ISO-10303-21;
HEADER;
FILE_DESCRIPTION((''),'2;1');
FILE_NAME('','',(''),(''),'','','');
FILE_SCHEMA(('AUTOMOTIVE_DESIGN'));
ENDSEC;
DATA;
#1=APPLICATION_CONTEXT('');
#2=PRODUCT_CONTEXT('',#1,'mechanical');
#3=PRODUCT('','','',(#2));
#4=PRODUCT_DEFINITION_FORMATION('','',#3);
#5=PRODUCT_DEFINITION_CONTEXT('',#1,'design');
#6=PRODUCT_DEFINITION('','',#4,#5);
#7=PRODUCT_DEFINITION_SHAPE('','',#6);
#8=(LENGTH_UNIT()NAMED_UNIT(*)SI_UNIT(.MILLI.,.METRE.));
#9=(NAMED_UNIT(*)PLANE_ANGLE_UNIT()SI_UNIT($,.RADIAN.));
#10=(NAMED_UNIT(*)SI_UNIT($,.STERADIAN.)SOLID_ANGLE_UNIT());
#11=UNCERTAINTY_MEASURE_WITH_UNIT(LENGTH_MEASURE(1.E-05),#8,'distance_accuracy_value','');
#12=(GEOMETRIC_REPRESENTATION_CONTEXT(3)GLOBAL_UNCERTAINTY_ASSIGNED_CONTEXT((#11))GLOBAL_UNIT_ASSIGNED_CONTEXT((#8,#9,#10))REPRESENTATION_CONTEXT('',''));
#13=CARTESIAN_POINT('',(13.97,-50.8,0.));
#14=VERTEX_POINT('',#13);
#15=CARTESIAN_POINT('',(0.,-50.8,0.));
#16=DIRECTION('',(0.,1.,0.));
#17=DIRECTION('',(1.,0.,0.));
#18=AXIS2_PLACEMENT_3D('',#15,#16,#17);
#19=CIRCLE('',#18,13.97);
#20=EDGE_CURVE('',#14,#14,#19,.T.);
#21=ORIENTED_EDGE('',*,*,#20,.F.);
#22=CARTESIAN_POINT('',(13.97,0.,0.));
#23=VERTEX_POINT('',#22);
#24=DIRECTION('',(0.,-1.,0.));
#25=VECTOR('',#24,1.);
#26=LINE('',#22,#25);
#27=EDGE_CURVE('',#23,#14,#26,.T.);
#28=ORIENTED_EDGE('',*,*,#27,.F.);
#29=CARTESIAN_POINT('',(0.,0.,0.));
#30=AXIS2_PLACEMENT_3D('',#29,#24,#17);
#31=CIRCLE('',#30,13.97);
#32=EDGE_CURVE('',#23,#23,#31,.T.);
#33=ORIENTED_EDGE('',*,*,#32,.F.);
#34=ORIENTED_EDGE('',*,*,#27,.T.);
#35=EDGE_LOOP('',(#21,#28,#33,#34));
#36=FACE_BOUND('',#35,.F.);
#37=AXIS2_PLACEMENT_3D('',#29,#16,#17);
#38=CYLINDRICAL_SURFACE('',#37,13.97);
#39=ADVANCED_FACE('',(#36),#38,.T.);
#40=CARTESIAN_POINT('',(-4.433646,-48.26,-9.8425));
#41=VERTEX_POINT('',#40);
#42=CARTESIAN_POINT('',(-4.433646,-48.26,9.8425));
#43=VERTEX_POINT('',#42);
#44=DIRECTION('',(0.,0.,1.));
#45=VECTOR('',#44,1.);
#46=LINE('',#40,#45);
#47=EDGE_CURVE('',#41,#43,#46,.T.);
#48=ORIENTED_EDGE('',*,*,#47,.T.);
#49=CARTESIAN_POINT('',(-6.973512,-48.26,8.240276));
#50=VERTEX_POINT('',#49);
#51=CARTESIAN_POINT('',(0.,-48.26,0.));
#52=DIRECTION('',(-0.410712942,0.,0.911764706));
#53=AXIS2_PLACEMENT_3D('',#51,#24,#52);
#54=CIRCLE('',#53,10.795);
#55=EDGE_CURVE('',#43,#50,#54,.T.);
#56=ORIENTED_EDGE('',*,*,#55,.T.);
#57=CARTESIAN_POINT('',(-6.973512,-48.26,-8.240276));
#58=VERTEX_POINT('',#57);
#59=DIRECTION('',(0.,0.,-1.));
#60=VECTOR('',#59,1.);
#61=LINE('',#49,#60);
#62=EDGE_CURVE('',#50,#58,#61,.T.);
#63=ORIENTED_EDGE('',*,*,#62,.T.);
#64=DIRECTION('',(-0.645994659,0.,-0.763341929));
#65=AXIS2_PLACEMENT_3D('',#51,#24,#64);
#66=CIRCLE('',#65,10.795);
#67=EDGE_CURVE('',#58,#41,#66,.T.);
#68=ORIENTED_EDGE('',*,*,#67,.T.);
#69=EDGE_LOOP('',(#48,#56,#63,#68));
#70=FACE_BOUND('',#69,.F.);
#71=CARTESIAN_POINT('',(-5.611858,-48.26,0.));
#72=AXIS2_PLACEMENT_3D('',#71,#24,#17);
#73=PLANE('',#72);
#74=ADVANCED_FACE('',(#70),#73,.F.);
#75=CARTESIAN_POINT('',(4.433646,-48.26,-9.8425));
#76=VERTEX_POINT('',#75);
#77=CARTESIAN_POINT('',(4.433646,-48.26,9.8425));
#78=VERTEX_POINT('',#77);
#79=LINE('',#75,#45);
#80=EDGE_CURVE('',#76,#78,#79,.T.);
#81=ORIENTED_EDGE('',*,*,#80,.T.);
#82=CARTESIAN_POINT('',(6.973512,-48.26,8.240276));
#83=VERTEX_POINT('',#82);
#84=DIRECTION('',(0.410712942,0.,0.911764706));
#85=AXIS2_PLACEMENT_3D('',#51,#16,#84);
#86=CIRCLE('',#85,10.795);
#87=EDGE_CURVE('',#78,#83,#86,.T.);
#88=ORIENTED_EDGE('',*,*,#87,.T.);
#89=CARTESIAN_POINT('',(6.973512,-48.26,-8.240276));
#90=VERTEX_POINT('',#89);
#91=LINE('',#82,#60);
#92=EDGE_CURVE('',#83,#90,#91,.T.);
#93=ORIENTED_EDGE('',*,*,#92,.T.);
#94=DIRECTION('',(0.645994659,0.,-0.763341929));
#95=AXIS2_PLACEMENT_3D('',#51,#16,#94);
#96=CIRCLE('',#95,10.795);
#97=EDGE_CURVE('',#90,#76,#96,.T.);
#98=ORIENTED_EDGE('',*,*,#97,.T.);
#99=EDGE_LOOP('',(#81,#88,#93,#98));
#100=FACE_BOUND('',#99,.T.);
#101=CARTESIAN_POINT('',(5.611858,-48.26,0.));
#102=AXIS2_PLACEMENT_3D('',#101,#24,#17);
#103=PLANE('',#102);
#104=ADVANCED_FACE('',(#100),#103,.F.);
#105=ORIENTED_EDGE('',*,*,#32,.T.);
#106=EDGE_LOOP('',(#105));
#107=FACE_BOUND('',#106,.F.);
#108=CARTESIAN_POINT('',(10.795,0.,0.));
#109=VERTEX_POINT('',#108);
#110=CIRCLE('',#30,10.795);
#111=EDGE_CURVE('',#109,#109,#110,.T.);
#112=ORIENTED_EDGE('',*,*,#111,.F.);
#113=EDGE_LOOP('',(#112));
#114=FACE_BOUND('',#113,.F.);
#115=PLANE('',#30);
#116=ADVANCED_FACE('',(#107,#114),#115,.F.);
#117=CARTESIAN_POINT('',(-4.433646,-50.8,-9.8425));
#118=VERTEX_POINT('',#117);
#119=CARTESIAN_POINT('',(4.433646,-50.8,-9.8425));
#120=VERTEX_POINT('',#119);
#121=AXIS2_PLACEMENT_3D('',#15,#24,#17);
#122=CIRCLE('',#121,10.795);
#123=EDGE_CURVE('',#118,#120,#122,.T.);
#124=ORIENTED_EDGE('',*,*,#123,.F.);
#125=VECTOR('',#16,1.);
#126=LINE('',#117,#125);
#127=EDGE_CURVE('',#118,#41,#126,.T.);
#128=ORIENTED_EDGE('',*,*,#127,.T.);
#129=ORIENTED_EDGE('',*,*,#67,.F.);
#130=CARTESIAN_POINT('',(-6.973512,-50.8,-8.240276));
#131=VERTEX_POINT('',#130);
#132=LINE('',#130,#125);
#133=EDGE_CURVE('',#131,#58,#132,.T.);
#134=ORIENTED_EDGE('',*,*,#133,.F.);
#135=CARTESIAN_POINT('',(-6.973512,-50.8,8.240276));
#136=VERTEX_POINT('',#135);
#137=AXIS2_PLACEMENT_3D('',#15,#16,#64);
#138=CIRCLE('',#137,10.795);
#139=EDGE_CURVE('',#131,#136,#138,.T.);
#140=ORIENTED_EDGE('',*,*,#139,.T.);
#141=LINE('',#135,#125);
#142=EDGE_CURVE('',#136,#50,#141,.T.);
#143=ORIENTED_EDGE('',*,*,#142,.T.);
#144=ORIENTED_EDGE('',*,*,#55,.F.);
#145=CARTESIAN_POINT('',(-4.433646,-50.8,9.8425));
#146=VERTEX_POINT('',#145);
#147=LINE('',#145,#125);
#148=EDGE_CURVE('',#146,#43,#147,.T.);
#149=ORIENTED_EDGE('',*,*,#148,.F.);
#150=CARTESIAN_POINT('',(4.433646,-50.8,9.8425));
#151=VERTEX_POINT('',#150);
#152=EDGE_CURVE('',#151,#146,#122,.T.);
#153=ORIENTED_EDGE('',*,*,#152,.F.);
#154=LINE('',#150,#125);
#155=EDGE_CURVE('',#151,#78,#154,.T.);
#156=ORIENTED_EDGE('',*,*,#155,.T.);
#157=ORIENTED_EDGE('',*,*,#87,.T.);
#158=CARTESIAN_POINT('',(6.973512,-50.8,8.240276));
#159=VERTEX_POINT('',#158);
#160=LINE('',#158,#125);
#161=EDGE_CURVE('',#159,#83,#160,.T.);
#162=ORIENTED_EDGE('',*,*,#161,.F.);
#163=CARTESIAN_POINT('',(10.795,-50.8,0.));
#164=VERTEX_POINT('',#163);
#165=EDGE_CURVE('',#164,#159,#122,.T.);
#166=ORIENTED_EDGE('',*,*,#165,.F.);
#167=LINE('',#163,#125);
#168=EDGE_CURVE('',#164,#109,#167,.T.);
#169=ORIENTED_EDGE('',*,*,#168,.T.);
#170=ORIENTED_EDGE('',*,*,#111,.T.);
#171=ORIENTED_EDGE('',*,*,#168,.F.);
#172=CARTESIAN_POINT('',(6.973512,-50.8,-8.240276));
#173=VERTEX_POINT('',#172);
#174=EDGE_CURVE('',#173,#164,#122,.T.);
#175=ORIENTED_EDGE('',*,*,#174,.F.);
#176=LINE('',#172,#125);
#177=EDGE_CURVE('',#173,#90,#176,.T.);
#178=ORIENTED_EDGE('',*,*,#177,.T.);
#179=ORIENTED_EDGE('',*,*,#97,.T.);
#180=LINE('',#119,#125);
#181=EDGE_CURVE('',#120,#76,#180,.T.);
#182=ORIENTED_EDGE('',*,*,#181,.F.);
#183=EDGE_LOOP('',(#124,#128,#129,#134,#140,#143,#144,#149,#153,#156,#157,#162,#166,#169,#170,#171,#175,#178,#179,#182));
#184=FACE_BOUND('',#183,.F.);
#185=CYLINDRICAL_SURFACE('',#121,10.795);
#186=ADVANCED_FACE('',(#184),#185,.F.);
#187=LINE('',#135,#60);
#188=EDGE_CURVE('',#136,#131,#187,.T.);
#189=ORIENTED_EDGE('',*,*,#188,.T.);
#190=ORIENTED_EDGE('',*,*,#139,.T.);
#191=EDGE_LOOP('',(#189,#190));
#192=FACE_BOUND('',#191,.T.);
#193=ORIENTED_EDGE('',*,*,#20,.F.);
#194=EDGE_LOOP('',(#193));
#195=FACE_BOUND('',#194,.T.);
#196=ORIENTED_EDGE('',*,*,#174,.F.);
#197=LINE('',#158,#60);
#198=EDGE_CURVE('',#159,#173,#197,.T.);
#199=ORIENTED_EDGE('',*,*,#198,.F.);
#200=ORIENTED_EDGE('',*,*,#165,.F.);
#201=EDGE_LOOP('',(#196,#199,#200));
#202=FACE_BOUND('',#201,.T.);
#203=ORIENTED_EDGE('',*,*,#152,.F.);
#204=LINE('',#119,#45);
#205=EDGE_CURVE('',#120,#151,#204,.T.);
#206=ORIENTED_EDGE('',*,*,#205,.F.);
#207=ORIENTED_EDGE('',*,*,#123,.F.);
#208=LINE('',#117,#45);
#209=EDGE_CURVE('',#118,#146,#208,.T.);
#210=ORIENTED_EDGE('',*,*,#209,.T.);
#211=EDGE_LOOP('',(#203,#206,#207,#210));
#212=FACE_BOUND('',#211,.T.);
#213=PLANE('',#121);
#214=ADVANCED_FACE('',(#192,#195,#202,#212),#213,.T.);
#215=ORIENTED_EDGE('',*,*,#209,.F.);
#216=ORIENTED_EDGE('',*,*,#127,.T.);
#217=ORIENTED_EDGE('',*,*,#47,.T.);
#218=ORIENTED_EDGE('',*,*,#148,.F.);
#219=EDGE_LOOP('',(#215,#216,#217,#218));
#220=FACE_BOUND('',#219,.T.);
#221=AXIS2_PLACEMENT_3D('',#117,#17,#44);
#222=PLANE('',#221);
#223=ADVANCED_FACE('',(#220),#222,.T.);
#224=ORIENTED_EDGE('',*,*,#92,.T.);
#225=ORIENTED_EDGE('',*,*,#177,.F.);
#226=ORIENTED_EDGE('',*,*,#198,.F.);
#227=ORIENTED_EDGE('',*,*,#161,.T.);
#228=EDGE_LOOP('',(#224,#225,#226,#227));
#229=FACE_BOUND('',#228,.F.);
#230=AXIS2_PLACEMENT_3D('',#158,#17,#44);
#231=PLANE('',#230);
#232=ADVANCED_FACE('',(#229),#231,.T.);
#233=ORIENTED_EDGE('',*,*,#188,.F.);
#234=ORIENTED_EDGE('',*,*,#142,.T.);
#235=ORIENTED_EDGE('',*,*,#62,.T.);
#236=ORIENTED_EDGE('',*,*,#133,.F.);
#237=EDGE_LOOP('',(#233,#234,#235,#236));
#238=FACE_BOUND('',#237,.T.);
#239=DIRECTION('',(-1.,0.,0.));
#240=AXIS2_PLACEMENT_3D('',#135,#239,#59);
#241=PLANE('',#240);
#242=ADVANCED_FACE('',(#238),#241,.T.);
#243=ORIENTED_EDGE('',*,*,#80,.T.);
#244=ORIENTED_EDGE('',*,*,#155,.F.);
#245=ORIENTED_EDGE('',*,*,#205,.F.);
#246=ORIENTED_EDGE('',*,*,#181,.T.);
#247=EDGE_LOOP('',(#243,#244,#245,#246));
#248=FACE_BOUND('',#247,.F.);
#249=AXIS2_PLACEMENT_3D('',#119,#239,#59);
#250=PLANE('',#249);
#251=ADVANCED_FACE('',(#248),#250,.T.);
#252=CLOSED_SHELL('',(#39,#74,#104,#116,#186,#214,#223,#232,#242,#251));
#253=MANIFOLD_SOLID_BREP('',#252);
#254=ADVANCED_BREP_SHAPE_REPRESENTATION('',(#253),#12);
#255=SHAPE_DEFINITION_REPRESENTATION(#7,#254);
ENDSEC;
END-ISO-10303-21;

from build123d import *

# Parameters (mm, degrees)
F0_R     = 13.97
F1_DEPTH = 50.8
F2_R     = 10.795
F3_DEPTH = 50.8
F5_DEPTH = 2.54


with BuildPart() as f1:
    # F0 (on Front) → F1 (new body)
    with BuildSketch(Plane.XZ):
        Circle(F0_R)
    extrude(amount=F1_DEPTH)

    # F2 (on face) → F3 (cut)
    with BuildSketch(Plane.XZ.offset(50.8)):
        Circle(F2_R)
    extrude(amount=-F3_DEPTH, mode=Mode.SUBTRACT)

    # F4 (on face) → F5 (join)
    with BuildSketch(Plane.XZ.offset(50.8)):
        with BuildLine():
            ThreePointArc((-6.973512343, -8.2402761242), (-5.7595656887, -9.1301384479), (-4.4336462139, -9.8425))
            Line((-4.4336462139, -9.8425), (-4.4336462139, 9.8425))
            ThreePointArc((-4.4336462139, 9.8425), (-5.7595656887, 9.1301384479), (-6.973512343, 8.2402761242))
            Line((-6.973512343, 8.2402761242), (-6.973512343, -8.2402761242))
        make_face()
    extrude(amount=-F5_DEPTH)

    # F6: F1 across plane


with BuildPart() as f1_1:
    add(f1.part)
    add(f1.part.mirror(Plane.YZ))


solid = f1_1.part
